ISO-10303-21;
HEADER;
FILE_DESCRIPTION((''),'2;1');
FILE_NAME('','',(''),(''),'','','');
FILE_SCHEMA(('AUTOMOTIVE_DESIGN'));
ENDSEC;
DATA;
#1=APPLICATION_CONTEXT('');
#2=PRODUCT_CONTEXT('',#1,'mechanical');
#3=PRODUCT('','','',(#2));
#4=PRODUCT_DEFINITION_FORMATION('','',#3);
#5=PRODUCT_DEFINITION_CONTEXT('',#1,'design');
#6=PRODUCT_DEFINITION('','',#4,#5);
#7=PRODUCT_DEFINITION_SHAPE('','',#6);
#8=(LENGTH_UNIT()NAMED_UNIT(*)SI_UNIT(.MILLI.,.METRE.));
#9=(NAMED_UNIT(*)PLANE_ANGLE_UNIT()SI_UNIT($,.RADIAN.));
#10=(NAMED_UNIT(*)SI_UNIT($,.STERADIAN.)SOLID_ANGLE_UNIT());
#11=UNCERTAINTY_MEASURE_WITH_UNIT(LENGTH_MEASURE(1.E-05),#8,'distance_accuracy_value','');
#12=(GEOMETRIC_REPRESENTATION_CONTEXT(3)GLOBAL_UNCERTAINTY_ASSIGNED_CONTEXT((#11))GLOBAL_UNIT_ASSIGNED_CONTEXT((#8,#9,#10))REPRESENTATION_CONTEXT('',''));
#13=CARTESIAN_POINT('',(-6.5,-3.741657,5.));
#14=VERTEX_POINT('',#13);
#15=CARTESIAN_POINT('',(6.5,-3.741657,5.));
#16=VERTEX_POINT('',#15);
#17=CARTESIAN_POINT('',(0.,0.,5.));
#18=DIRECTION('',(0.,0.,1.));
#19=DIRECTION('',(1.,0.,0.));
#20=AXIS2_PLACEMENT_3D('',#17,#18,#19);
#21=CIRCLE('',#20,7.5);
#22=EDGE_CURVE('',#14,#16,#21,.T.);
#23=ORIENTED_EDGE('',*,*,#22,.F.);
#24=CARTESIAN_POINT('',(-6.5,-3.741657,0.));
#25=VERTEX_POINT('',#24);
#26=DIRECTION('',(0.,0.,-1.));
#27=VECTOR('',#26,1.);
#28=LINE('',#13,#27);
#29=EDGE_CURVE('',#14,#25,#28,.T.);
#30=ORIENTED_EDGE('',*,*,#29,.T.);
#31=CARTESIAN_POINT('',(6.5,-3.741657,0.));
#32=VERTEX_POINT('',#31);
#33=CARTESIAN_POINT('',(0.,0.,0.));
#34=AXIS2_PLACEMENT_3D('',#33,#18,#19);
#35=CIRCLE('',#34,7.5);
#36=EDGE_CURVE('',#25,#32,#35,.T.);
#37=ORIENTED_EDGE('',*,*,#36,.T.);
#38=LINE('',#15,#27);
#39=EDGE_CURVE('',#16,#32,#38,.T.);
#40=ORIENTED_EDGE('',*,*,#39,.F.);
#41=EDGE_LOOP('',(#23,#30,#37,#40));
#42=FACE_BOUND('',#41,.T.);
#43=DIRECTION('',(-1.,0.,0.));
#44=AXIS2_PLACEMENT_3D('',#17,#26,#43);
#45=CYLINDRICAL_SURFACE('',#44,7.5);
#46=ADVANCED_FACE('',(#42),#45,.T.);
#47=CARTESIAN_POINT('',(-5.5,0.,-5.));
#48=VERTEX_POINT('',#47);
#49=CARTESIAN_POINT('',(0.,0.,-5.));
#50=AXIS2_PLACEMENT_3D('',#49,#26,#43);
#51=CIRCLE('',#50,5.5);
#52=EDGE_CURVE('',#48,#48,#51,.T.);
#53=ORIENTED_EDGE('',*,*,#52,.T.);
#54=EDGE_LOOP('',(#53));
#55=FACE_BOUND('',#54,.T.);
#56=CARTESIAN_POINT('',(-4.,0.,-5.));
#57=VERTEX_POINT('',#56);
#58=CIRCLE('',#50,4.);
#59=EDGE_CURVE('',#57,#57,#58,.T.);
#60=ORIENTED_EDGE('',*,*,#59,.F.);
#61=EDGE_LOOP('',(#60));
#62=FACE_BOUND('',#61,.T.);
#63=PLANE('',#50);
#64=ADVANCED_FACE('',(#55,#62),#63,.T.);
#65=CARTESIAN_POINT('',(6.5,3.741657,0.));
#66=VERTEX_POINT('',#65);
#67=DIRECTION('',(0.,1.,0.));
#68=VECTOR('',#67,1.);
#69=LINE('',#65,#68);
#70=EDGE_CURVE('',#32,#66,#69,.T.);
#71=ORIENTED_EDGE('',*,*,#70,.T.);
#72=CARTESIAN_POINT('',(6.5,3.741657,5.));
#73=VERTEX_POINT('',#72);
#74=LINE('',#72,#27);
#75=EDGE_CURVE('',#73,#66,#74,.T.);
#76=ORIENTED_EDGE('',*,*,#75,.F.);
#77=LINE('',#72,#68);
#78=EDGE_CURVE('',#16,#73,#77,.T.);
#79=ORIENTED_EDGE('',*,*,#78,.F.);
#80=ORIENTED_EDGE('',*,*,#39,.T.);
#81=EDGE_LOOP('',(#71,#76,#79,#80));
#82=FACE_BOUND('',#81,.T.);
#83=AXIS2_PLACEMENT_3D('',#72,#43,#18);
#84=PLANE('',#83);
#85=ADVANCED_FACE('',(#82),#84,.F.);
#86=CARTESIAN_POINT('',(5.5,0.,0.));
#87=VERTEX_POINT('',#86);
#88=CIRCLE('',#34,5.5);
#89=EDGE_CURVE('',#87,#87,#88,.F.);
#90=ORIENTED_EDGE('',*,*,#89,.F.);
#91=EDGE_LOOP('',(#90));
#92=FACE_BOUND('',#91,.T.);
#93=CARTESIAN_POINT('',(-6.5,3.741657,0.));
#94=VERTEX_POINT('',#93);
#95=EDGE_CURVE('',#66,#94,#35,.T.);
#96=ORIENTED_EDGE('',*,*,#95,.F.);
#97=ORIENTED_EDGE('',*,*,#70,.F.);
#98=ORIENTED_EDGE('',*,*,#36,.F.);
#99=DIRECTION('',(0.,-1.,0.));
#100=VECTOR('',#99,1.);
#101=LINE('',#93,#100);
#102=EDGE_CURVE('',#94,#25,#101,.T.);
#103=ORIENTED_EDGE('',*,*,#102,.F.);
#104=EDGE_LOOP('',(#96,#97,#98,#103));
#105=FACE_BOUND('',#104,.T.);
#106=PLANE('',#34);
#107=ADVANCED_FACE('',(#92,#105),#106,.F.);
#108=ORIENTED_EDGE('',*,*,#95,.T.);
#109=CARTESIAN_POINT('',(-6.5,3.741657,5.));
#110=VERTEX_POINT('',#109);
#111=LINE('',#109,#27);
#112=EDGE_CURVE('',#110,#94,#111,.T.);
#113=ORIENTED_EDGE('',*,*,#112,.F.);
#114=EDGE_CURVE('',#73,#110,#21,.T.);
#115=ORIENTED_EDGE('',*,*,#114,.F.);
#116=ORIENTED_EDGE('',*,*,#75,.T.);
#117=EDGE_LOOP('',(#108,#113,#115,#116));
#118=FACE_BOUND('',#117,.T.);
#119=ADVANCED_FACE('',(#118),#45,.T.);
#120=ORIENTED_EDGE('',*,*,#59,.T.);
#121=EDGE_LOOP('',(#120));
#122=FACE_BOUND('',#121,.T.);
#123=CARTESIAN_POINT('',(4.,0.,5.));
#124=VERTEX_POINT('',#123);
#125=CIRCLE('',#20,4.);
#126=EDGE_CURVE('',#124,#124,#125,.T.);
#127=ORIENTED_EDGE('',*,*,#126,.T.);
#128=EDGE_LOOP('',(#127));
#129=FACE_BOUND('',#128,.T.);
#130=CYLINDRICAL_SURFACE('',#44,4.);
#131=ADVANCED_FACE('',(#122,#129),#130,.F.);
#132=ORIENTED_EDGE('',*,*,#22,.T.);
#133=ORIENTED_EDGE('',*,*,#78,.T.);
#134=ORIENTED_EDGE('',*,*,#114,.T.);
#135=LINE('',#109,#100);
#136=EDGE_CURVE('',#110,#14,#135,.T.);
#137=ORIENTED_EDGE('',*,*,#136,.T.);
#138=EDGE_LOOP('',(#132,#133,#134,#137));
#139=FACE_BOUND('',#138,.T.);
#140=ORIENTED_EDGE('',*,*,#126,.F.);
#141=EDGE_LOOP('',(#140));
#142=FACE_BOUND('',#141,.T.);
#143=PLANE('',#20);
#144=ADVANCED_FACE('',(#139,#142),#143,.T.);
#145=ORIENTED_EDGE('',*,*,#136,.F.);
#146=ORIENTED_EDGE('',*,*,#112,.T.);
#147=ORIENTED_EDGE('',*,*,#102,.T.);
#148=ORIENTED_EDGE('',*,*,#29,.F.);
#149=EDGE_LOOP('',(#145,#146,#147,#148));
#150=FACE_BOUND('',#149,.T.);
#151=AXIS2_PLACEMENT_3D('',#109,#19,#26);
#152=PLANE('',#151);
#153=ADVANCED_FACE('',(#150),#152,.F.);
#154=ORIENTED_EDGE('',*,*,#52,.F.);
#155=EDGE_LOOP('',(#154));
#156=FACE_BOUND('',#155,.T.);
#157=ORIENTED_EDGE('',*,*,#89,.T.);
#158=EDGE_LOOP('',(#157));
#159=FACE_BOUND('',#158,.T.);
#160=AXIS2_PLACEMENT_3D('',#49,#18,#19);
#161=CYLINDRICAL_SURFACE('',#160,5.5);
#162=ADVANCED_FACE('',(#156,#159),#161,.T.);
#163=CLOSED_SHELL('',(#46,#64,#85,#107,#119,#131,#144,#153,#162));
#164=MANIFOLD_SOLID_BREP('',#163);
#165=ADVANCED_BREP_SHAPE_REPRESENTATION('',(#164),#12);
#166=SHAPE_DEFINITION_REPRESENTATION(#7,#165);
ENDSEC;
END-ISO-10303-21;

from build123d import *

# Parameters (mm, degrees)
SKETCH1_R           = 4
BOSS_EXTRUDE1_DEPTH = 5
SKETCH2_R           = 5.5
SKETCH2_R_2         = 4
BOSS_EXTRUDE2_DEPTH = 5


with BuildPart() as part:
    # Sketch1 → Boss-Extrude1 (new body)
    with BuildSketch(Plane.XY):
        with BuildLine():
            Line((-6.5, 3.741657387), (-6.5, -3.741657387))
            ThreePointArc((-6.5, -3.741657387), (0, -7.5), (6.5, -3.741657387))
            Line((6.5, -3.741657387), (6.5, 3.741657387))
            ThreePointArc((6.5, 3.741657387), (0, 7.5), (-6.5, 3.741657387))
        make_face()
        Circle(SKETCH1_R, mode=Mode.SUBTRACT)
    extrude(amount=BOSS_EXTRUDE1_DEPTH)

    # Sketch2 → Boss-Extrude2 (add)
    with BuildSketch(Plane(origin=(0, 0, 0), x_dir=(-1, 0, 0), z_dir=(0, 0, -1))):
        Circle(SKETCH2_R)
        Circle(SKETCH2_R_2, mode=Mode.SUBTRACT)
    extrude(amount=BOSS_EXTRUDE2_DEPTH)


solid = part.part
